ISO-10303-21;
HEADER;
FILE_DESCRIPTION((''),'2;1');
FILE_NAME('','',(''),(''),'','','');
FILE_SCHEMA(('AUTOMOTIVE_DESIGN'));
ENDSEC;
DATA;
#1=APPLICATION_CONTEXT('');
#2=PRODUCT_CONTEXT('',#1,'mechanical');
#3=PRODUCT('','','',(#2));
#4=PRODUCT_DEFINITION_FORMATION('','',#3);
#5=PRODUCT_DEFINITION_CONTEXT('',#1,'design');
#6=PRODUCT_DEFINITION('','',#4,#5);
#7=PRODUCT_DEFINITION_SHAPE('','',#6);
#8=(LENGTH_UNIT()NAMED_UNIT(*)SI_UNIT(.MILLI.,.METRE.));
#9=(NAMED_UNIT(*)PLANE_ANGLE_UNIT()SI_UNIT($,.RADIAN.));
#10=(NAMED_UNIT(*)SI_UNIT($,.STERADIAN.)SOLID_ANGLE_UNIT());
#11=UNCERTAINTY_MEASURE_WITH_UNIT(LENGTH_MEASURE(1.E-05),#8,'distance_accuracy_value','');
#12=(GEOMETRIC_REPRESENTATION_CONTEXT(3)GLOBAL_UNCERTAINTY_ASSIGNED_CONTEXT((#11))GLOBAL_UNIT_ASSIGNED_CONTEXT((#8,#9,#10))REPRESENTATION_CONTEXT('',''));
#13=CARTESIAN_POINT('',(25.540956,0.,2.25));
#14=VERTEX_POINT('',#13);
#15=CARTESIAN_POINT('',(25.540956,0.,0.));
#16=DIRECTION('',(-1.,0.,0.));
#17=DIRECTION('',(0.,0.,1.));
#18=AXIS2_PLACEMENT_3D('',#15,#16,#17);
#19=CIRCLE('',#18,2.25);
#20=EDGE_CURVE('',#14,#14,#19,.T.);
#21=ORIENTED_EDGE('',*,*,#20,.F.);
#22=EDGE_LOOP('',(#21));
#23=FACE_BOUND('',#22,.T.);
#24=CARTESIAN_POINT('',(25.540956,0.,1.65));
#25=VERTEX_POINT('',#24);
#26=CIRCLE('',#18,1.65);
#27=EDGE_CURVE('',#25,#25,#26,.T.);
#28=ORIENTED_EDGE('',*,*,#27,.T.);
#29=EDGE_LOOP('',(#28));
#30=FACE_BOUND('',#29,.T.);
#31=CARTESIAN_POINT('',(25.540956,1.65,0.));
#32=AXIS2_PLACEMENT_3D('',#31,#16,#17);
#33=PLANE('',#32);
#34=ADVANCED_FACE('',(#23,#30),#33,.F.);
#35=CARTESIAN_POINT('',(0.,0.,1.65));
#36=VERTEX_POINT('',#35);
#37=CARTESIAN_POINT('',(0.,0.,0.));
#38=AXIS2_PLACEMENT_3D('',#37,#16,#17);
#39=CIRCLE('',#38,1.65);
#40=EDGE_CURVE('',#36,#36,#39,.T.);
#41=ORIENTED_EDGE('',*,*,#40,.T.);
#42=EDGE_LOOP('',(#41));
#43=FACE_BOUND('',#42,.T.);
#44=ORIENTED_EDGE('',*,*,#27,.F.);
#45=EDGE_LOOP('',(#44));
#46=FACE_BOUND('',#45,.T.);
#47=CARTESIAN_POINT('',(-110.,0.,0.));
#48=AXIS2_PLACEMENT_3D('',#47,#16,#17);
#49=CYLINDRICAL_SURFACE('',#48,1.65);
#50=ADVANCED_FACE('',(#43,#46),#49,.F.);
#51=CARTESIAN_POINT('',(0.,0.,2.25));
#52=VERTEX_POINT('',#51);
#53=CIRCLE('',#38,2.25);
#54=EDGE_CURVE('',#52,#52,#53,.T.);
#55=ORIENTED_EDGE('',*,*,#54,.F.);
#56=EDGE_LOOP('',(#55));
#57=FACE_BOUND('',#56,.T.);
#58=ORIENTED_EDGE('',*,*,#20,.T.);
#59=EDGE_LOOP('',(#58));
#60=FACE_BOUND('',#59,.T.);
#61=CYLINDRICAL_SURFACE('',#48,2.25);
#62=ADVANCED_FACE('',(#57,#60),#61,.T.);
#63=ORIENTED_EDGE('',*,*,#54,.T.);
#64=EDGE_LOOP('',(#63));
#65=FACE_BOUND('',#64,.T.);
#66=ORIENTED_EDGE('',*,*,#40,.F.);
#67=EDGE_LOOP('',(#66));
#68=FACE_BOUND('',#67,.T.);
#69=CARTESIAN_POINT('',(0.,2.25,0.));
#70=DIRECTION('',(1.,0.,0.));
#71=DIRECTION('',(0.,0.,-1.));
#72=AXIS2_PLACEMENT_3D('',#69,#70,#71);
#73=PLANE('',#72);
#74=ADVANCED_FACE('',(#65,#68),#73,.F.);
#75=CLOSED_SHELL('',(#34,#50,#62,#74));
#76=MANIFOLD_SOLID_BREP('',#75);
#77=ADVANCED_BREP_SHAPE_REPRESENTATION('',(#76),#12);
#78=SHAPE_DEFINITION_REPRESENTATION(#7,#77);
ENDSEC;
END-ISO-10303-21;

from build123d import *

# Parameters (mm, degrees)
AXIAL_PROFILE_MM_W = 25.5409558
AXIAL_PROFILE_MM_H = 0.6


with BuildPart() as part:
    # Axial profile (mm) → Full revolution (revolve)
    with BuildSketch(Plane.XY, mode=Mode.PRIVATE) as full_revolution_sk:
        with Locations((12.7704779, 1.95)):
            Rectangle(AXIAL_PROFILE_MM_W, AXIAL_PROFILE_MM_H)
    revolve(full_revolution_sk.sketch.rotate(Axis((-110, 0, 0), (1, 0, 0)), 90), axis=Axis((-110, 0, 0), (1, 0, 0)))


solid = part.part
